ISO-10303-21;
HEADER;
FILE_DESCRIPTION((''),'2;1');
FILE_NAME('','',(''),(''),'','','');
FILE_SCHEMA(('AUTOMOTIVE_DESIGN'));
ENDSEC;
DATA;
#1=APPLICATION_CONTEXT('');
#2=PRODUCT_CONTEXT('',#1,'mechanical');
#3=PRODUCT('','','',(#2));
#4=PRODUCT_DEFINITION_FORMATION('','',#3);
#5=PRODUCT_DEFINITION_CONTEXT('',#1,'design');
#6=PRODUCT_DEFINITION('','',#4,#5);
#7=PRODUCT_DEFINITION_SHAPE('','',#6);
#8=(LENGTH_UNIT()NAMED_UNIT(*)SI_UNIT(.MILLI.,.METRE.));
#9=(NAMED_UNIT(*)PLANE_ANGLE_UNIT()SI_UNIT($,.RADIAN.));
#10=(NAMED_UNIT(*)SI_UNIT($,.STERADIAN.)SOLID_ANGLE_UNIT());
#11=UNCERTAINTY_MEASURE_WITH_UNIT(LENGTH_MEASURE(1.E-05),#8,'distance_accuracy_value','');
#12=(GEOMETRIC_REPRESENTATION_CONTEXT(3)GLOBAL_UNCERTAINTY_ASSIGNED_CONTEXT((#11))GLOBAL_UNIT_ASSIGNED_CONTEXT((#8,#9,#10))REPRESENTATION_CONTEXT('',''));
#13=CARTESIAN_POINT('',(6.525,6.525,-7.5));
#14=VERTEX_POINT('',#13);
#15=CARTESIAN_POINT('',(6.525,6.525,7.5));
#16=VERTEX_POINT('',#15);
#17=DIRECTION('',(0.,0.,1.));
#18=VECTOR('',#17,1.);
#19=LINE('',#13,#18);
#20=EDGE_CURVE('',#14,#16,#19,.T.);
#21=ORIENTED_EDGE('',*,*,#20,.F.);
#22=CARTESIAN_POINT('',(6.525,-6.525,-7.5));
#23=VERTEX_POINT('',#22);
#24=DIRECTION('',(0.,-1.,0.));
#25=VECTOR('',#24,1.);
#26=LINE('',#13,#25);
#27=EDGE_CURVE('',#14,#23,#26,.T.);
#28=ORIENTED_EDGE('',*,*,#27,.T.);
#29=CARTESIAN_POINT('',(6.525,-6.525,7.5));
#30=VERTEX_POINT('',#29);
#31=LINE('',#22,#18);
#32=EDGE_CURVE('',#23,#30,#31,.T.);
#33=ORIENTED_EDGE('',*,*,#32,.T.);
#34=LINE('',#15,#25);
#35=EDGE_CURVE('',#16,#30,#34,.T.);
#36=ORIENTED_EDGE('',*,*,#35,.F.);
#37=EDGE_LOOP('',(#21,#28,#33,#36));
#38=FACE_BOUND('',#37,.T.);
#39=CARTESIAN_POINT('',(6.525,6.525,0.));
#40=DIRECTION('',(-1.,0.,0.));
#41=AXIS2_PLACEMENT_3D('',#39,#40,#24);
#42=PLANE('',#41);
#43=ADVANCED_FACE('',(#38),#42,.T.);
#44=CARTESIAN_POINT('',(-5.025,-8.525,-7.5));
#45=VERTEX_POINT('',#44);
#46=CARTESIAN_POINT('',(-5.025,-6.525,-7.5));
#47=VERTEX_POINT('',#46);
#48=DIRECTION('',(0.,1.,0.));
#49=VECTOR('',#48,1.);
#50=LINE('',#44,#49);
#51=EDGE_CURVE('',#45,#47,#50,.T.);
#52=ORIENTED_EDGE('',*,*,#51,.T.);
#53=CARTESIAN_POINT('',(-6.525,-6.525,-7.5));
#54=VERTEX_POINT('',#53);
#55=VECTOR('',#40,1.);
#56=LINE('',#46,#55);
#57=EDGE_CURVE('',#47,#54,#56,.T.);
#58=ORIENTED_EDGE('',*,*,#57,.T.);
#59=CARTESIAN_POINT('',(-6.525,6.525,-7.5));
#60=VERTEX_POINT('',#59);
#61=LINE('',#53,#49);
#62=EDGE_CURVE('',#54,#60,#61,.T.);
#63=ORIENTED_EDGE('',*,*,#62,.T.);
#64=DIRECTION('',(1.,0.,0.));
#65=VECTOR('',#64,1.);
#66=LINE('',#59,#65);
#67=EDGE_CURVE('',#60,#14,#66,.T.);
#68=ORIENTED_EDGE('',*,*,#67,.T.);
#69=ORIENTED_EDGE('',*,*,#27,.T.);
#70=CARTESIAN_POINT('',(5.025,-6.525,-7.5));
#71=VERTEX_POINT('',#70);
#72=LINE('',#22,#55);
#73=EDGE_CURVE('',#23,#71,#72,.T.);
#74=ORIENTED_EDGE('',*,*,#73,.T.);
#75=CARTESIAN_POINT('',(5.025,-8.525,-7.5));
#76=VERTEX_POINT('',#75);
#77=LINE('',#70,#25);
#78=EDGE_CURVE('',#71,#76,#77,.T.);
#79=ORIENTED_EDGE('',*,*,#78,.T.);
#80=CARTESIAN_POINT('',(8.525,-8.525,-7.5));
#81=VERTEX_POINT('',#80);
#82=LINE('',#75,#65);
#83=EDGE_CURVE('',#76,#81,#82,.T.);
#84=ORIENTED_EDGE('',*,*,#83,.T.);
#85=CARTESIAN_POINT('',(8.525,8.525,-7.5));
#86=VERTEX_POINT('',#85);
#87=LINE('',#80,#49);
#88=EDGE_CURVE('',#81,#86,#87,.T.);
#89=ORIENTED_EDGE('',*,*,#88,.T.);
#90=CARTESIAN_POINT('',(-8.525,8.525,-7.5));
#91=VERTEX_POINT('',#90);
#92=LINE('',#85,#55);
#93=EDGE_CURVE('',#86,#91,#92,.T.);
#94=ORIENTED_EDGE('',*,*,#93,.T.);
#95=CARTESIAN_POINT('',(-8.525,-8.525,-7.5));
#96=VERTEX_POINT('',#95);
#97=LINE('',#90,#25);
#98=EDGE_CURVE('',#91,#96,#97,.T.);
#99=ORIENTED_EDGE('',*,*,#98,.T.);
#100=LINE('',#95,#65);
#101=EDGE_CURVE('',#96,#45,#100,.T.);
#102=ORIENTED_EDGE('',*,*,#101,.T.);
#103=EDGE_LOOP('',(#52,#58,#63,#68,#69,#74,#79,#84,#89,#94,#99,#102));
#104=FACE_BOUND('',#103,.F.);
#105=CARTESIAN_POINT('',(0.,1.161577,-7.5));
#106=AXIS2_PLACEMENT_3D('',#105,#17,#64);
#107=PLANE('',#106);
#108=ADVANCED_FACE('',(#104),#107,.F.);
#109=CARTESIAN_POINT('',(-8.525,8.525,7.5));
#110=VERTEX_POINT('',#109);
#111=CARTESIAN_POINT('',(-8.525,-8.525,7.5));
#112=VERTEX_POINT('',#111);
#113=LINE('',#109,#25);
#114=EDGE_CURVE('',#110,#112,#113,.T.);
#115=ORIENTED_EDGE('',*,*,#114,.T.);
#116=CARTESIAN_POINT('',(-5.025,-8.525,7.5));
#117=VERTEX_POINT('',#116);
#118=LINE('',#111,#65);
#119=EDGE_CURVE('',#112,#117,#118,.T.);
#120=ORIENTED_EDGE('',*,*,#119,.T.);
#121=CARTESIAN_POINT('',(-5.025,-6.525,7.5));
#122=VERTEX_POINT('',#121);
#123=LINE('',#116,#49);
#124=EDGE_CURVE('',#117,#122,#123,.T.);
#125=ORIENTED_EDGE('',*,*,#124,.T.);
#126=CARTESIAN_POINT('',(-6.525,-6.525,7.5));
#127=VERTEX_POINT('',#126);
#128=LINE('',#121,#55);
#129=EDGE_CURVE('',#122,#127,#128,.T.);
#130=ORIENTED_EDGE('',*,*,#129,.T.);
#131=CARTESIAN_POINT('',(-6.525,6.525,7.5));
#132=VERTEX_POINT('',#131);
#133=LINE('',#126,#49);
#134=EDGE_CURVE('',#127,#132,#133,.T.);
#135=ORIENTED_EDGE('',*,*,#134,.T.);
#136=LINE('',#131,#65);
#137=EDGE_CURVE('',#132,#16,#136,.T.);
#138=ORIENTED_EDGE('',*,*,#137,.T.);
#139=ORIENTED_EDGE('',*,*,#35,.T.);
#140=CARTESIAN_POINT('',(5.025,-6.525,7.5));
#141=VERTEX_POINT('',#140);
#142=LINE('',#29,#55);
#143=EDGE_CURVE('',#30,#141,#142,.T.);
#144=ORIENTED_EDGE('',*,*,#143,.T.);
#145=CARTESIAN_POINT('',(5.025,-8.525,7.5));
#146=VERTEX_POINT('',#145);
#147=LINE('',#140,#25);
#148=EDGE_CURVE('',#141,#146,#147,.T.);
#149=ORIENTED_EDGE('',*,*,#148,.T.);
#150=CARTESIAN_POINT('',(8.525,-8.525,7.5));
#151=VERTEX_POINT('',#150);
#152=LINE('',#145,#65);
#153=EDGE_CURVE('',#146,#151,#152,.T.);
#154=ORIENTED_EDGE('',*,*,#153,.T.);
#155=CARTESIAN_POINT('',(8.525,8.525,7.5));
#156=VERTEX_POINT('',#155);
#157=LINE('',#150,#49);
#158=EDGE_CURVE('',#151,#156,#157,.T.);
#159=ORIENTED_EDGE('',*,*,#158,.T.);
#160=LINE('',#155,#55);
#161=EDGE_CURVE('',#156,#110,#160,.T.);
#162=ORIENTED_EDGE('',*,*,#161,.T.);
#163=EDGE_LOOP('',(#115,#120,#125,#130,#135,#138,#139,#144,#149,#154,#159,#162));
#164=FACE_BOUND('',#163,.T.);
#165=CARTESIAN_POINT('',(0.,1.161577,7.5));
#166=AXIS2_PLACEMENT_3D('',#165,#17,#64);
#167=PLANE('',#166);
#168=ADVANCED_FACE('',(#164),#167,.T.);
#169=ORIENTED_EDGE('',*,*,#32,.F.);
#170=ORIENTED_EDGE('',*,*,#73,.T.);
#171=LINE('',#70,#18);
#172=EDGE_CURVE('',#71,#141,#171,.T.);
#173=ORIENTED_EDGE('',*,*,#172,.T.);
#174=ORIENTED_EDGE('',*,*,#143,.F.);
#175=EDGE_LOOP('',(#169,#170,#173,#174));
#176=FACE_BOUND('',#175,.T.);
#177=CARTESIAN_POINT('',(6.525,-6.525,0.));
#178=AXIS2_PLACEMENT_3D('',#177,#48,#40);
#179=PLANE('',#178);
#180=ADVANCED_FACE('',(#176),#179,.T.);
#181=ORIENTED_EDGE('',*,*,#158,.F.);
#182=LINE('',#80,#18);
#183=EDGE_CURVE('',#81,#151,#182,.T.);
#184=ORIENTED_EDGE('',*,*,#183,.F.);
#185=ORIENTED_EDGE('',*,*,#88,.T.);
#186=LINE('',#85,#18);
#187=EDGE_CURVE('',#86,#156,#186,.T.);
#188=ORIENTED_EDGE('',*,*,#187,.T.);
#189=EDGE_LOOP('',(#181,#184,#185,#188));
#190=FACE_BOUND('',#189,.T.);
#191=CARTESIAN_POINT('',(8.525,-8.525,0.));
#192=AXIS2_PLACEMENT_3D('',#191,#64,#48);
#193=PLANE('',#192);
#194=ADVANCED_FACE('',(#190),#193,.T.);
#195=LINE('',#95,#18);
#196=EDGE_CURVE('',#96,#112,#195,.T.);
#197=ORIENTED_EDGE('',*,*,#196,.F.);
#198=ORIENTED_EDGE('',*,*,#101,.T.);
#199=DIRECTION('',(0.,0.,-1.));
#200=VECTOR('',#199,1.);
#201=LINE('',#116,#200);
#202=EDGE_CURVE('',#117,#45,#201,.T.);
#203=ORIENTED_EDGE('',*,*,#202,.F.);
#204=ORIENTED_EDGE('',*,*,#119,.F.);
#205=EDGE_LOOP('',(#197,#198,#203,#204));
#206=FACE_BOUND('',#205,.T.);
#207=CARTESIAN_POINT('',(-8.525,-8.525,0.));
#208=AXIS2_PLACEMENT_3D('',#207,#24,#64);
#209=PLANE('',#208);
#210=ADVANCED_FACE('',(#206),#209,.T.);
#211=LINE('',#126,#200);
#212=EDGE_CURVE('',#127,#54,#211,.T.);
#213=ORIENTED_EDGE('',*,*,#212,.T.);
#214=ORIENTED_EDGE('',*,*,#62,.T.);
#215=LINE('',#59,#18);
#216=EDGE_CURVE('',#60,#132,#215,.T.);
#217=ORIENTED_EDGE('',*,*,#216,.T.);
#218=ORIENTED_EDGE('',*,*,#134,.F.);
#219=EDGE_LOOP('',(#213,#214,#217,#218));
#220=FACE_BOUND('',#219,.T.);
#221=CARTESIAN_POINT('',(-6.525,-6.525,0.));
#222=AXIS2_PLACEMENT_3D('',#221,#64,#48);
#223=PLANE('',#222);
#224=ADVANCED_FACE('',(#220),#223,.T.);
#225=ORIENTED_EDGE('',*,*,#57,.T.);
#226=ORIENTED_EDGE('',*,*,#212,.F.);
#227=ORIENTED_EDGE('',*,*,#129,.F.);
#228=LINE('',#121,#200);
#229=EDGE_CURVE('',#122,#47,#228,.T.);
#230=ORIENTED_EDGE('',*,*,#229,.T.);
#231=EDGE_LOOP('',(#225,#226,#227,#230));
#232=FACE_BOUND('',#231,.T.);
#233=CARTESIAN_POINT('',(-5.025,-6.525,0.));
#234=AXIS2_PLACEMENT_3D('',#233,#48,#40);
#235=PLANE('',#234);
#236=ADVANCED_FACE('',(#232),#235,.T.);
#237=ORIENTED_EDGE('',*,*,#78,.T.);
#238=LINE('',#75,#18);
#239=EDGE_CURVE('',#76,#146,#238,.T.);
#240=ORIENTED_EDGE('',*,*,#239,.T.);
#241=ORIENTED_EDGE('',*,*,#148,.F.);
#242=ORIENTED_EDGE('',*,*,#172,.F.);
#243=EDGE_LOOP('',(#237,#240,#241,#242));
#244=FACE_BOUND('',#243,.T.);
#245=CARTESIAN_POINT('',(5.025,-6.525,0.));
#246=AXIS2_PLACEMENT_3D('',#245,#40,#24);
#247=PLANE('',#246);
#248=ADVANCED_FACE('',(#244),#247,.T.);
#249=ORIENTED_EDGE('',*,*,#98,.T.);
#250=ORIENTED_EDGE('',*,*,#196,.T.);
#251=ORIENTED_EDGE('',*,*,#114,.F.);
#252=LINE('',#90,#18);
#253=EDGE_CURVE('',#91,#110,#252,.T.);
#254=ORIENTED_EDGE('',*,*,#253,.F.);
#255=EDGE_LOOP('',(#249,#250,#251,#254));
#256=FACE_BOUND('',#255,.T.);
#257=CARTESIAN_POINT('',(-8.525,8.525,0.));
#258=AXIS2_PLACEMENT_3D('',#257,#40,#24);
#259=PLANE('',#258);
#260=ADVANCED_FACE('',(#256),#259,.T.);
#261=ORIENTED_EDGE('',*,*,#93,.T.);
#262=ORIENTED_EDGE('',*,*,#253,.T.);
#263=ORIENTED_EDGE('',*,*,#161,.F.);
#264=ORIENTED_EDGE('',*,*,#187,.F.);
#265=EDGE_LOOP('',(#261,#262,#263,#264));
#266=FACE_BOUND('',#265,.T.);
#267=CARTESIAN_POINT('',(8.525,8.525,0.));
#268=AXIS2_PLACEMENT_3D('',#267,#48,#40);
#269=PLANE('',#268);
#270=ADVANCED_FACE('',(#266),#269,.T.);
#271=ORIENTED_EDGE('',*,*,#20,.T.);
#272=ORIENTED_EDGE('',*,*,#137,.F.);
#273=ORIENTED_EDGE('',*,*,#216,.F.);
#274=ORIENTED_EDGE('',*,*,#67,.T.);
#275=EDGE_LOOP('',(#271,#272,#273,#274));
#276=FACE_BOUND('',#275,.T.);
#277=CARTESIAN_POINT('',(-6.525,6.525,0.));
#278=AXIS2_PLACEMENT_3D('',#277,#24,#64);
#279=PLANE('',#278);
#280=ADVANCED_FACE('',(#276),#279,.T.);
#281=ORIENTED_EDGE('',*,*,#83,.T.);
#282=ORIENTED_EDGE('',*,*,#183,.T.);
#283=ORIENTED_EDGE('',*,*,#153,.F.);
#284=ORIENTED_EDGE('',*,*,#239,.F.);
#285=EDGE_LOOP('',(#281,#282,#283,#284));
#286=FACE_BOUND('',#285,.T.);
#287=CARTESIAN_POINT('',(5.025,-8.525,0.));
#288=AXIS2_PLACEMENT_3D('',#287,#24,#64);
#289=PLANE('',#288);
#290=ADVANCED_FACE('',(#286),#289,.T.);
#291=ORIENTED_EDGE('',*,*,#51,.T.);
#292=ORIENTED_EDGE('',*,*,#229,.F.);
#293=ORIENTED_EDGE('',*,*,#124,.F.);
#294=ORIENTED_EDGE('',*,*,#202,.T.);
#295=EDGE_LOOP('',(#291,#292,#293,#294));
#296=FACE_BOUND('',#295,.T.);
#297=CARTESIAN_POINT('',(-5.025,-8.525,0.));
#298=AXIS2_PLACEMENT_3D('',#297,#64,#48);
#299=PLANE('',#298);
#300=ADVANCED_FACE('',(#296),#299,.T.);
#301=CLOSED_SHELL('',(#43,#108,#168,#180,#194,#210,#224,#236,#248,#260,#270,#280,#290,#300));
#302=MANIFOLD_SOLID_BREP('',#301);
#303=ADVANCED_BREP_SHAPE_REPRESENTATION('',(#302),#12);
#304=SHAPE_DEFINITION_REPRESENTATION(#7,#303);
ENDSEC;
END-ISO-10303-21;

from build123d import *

# Parameters (mm, degrees)
F1_DEPTH = 7.5


with BuildPart() as f1:
    # F0 (on Top) → F1 (new body, symmetric)
    with BuildSketch(Plane.XY):
        Polygon((-6.525, -6.525), (-6.525, 6.525), (6.525, 6.525), (6.525, -6.525), (5.025, -6.525), (5.025, -8.525), (8.525, -8.525), (8.525, 8.525), (-8.525, 8.525), (-8.525, -8.525), (-5.025, -8.525), (-5.025, -6.525), align=None)
    extrude(amount=F1_DEPTH, both=True)


solid = f1.part
